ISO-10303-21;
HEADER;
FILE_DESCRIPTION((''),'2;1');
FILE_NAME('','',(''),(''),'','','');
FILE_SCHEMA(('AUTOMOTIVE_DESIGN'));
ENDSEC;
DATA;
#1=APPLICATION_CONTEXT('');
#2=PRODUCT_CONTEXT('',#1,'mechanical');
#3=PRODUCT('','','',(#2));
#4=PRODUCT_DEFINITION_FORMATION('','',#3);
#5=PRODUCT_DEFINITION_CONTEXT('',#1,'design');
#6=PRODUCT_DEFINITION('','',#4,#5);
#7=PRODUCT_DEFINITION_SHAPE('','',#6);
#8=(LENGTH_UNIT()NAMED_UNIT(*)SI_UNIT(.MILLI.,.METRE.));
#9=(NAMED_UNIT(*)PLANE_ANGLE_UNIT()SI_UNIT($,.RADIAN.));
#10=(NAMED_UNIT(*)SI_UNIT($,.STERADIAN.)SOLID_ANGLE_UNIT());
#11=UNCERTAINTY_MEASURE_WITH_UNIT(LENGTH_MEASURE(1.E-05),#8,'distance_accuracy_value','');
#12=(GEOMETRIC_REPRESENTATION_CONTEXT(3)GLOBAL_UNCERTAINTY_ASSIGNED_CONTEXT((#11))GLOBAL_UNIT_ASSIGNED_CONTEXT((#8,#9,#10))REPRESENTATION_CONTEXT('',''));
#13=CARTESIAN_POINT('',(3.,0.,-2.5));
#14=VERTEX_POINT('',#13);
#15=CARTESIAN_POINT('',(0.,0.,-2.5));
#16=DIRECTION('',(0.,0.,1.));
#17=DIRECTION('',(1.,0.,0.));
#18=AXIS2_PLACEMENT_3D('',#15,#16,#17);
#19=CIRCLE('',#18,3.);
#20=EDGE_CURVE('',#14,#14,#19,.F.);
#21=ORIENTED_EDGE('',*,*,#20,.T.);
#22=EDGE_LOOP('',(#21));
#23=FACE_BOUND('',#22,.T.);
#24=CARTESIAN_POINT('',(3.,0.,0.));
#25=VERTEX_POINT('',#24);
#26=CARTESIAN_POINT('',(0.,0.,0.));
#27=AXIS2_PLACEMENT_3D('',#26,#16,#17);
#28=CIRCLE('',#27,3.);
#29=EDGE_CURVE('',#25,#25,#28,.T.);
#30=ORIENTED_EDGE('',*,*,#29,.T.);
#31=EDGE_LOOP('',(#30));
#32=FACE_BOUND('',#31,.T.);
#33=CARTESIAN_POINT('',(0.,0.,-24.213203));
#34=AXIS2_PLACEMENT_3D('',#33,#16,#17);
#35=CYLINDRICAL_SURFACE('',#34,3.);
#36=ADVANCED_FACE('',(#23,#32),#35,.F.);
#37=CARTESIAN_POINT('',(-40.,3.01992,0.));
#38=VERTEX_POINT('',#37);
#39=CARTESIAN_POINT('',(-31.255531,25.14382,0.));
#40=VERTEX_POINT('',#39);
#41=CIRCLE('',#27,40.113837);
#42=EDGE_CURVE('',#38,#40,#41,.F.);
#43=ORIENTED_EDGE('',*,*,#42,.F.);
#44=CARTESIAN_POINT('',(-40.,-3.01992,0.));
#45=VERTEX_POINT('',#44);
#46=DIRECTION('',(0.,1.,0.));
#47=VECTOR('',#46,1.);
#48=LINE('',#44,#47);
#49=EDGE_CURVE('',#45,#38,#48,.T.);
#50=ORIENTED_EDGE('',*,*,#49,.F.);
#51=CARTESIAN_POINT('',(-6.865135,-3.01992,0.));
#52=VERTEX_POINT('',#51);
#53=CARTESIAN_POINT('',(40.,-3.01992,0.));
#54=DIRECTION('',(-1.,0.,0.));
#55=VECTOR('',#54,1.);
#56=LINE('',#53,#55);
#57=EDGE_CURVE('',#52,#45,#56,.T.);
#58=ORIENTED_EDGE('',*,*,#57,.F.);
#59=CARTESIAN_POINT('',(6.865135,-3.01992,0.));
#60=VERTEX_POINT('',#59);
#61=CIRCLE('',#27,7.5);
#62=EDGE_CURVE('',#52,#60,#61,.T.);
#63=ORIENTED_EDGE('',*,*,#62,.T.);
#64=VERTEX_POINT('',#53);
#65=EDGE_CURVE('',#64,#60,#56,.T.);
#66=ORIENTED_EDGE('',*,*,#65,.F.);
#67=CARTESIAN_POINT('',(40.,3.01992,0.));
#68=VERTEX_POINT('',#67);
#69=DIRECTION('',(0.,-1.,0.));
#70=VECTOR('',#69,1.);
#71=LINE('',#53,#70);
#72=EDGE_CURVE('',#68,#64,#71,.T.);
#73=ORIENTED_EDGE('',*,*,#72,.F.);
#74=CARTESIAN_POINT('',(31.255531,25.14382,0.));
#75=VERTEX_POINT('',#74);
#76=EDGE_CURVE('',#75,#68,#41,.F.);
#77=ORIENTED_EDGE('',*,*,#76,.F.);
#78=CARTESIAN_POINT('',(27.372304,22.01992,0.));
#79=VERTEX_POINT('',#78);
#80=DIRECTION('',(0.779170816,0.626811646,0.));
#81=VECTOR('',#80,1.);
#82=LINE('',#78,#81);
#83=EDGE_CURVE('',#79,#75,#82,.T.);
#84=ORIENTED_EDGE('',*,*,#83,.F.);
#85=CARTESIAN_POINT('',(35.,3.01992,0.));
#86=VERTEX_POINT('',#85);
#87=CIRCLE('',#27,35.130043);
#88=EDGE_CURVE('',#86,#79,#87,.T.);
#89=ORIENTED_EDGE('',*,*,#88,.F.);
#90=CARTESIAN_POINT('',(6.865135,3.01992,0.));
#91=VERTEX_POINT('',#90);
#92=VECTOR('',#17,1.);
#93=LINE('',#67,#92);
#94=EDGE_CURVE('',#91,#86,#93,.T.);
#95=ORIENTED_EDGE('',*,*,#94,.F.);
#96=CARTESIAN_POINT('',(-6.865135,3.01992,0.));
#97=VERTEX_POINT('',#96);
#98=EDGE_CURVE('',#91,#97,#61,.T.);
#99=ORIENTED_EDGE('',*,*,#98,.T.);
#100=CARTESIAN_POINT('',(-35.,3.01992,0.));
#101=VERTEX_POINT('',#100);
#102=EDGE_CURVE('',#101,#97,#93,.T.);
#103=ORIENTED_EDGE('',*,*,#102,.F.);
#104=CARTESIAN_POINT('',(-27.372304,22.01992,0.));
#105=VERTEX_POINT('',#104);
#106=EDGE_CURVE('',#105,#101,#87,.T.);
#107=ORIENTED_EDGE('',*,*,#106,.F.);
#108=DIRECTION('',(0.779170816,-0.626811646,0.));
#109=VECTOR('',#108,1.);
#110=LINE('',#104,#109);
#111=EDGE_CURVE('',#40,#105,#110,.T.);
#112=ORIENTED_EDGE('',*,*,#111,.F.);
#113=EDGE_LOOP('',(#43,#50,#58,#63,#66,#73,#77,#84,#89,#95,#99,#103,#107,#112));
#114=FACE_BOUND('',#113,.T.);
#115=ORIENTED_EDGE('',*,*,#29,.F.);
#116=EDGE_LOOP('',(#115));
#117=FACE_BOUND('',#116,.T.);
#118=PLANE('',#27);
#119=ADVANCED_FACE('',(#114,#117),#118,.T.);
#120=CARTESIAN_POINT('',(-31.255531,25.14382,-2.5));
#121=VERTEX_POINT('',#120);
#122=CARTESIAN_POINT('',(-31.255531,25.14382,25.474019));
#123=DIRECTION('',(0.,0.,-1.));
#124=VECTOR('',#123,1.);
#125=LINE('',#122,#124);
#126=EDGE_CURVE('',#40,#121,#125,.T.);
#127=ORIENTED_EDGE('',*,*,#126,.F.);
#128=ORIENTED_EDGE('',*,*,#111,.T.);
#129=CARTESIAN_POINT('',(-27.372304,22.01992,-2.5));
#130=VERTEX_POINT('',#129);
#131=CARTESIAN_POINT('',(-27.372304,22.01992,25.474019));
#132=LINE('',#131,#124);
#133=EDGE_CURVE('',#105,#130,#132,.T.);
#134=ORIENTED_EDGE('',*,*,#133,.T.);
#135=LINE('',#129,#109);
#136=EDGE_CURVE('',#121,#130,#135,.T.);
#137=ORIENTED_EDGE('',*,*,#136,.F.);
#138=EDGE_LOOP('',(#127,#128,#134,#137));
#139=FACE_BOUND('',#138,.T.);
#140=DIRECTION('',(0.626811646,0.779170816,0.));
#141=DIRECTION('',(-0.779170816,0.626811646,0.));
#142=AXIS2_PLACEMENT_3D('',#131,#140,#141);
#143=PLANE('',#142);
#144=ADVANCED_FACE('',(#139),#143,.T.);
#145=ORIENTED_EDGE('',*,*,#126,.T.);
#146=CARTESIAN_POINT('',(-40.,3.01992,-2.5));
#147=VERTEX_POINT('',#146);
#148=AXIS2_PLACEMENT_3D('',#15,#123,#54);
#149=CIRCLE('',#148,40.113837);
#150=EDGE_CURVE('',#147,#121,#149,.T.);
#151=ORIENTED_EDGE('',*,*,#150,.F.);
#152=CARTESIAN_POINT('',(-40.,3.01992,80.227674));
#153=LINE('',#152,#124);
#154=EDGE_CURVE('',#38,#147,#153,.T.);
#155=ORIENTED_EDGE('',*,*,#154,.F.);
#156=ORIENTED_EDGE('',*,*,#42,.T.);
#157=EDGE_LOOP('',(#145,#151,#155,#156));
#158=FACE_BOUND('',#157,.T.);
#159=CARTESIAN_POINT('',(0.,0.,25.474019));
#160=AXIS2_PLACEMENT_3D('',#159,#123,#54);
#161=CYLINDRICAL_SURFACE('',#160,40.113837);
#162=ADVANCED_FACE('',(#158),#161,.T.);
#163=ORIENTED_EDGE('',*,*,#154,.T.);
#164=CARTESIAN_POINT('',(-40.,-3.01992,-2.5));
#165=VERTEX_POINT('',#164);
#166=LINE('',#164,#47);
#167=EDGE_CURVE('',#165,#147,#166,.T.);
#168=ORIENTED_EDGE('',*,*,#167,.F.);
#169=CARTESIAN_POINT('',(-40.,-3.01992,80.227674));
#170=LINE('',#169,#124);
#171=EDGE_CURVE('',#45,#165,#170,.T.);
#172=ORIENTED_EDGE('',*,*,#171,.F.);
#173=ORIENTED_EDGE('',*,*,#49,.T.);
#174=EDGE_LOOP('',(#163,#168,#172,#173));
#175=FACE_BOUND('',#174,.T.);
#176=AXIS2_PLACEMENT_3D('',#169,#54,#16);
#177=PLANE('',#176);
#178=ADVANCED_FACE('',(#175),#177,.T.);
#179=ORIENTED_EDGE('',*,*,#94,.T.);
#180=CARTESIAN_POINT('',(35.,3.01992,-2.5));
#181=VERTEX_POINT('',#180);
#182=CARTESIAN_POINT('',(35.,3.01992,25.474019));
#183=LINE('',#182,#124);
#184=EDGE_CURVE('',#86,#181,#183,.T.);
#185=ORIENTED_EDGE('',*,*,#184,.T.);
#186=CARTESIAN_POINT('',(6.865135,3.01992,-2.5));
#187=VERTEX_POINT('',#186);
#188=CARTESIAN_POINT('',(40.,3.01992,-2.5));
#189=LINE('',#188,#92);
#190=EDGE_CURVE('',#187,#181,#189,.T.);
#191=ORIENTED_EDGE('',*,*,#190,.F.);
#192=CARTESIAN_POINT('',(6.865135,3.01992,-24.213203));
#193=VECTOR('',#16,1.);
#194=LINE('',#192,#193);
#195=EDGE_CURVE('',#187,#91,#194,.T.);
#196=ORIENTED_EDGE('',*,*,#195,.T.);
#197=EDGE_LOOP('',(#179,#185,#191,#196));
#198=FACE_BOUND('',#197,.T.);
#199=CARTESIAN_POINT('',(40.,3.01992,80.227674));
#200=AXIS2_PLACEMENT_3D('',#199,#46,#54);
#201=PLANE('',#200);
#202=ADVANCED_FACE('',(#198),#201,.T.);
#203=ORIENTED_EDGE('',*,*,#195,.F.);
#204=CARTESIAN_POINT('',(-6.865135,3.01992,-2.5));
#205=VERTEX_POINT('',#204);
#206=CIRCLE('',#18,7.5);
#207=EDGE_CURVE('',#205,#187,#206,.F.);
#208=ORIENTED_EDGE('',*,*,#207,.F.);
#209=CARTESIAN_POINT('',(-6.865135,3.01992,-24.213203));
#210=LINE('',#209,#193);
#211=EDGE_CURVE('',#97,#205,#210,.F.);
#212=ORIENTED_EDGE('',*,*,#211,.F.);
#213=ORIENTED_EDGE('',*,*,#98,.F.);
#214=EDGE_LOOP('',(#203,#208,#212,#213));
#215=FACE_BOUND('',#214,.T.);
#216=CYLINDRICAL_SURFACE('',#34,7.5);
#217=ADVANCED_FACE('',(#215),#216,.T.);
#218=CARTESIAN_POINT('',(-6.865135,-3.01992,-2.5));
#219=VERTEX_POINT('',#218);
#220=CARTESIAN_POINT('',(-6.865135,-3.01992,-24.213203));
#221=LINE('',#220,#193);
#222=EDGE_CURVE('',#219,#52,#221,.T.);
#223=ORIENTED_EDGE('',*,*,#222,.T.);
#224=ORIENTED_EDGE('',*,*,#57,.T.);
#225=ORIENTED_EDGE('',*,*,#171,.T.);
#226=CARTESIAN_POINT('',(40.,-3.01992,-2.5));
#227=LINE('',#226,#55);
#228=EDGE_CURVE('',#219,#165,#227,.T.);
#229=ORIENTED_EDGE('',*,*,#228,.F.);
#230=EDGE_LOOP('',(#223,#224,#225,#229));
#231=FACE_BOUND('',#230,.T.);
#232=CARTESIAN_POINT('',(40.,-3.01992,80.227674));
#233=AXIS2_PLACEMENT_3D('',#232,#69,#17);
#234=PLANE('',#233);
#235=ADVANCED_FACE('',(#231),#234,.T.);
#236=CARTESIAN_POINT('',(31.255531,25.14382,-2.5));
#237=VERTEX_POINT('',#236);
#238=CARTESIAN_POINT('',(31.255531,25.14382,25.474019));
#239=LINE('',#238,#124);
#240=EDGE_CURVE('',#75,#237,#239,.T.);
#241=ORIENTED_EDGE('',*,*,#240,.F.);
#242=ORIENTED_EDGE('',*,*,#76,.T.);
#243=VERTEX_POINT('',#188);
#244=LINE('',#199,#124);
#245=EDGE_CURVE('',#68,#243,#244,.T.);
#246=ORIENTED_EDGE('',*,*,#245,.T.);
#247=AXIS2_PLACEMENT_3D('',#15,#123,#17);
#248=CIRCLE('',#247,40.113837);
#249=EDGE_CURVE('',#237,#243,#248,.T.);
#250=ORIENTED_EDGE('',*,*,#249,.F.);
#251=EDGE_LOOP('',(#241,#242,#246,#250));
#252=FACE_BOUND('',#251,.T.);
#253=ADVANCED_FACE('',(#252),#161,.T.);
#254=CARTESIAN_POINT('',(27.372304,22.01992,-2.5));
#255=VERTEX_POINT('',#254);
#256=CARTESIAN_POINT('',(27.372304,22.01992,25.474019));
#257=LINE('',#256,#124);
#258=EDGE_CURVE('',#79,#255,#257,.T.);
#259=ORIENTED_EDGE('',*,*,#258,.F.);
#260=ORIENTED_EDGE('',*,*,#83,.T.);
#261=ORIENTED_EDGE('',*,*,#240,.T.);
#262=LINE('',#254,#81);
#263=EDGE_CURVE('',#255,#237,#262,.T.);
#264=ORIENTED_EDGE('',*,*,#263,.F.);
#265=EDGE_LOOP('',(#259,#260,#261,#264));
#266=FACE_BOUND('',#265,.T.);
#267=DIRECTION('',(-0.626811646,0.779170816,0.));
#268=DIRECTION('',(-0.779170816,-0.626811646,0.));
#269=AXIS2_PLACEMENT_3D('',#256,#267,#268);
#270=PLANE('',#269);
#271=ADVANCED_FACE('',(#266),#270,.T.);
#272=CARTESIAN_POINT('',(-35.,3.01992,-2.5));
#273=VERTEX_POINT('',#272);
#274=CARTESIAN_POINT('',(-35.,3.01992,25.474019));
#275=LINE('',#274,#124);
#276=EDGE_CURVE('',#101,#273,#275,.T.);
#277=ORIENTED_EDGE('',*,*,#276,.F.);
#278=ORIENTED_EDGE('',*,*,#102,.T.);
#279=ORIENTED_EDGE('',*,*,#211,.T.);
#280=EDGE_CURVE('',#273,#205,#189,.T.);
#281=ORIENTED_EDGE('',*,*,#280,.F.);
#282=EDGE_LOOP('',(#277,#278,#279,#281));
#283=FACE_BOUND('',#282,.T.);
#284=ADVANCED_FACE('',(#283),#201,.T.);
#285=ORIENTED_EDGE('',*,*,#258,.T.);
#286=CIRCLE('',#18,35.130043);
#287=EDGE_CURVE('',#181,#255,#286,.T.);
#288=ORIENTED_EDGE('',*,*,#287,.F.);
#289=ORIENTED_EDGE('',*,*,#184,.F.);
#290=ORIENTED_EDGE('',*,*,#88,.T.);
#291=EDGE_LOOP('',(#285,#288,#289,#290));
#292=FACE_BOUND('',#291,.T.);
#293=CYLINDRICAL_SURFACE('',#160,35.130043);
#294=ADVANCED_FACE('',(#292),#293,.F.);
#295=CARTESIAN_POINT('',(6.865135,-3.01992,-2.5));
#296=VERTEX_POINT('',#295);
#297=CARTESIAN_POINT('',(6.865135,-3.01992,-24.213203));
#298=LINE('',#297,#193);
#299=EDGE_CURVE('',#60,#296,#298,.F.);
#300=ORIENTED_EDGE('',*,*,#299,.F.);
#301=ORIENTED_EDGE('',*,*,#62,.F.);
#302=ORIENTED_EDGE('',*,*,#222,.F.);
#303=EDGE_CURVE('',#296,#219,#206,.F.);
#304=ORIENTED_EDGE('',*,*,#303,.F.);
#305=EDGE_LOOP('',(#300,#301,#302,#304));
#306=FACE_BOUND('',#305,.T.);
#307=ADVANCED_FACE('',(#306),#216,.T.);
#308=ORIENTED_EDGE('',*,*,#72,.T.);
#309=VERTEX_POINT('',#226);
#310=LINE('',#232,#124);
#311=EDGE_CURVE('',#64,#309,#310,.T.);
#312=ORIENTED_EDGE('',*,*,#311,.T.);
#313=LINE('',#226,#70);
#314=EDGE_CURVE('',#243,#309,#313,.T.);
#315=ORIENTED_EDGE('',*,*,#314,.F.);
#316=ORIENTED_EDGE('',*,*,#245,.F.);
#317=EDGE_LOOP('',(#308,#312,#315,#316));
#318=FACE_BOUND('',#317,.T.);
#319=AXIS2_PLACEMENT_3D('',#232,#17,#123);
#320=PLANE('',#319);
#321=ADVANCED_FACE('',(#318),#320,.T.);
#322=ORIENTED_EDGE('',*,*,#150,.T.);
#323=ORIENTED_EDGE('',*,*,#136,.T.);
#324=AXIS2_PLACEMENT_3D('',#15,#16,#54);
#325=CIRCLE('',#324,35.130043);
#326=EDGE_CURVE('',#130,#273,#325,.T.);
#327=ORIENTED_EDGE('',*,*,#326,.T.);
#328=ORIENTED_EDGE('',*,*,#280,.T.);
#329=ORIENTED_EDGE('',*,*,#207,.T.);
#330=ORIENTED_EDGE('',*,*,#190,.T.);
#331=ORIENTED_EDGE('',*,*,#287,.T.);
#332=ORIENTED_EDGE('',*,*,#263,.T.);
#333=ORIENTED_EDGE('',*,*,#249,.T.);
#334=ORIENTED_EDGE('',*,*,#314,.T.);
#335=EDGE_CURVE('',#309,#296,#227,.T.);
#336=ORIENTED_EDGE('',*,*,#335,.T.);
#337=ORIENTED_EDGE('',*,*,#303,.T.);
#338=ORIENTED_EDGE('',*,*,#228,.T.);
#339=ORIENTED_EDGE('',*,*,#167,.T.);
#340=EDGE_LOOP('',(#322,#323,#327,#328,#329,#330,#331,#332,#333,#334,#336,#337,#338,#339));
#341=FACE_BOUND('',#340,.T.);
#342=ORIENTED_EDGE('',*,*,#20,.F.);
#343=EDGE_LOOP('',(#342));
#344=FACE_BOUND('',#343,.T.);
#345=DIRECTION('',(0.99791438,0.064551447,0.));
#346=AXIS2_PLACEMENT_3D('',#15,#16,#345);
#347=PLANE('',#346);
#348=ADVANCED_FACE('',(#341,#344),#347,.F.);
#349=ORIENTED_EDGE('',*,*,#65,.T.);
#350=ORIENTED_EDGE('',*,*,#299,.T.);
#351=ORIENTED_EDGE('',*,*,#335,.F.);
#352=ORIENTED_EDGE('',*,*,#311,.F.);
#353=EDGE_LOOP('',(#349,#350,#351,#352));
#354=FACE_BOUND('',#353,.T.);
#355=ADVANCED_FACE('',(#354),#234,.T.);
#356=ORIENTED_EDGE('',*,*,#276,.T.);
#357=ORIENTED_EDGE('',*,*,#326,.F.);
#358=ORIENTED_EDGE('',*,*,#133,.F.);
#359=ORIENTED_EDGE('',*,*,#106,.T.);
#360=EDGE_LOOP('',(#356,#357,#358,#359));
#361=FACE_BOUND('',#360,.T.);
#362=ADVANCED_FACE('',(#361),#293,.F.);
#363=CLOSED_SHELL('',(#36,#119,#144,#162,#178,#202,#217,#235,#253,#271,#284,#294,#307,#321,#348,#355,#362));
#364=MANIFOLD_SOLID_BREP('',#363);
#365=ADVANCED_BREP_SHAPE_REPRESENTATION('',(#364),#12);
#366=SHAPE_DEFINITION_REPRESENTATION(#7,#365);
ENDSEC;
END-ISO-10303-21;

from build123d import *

# Parameters (mm, degrees)
SKETCH1_R           = 7.5
SKETCH1_R_2         = 3
BOSS_EXTRUDE1_DEPTH = 2.5
SKETCH2_W           = 80
SKETCH2_H           = 6.039840068
SKETCH2_R           = 3
BOSS_EXTRUDE2_DEPTH = 2.5
BOSS_EXTRUDE3_DEPTH = 2.5


with BuildPart() as part:
    # Sketch1 → Boss-Extrude1 (new body)
    with BuildSketch(Plane.XY):
        Circle(SKETCH1_R)
        Circle(SKETCH1_R_2, mode=Mode.SUBTRACT)
    extrude(amount=-BOSS_EXTRUDE1_DEPTH)

    # Sketch2 → Boss-Extrude2 (add)
    with BuildSketch(Plane(origin=(0, 0, -2.5), x_dir=(-1, 0, 0), z_dir=(0, 0, -1))):
        Rectangle(SKETCH2_W, SKETCH2_H)
        Circle(SKETCH2_R, mode=Mode.SUBTRACT)
    extrude(amount=-BOSS_EXTRUDE2_DEPTH)

    # Sketch4 → Boss-Extrude3 (add)
    with BuildSketch(Plane(origin=(0, 0, -2.5), x_dir=(-1, 0, 0), z_dir=(0, 0, -1))):
        with BuildLine():
            Line((27.372304228, 22.019920034), (31.255531094, 25.143820176))
            ThreePointArc((31.255531094, 25.143820176), (37.305554777, 14.745016099), (40, 3.019920034))
            Line((40, 3.019920034), (35, 3.019920034))
            ThreePointArc((35, 3.019920034), (32.601013537, 13.087927007), (27.372304228, 22.019920034))
        make_face()
        with BuildLine():
            Line((-27.372304228, 22.019920034), (-31.255531094, 25.143820176))
            ThreePointArc((-31.255531094, 25.143820176), (-37.305554777, 14.745016099), (-40, 3.019920034))
            Line((-40, 3.019920034), (-35, 3.019920034))
            ThreePointArc((-35, 3.019920034), (-32.601013537, 13.087927007), (-27.372304228, 22.019920034))
        make_face()
    extrude(amount=-BOSS_EXTRUDE3_DEPTH)


solid = part.part
